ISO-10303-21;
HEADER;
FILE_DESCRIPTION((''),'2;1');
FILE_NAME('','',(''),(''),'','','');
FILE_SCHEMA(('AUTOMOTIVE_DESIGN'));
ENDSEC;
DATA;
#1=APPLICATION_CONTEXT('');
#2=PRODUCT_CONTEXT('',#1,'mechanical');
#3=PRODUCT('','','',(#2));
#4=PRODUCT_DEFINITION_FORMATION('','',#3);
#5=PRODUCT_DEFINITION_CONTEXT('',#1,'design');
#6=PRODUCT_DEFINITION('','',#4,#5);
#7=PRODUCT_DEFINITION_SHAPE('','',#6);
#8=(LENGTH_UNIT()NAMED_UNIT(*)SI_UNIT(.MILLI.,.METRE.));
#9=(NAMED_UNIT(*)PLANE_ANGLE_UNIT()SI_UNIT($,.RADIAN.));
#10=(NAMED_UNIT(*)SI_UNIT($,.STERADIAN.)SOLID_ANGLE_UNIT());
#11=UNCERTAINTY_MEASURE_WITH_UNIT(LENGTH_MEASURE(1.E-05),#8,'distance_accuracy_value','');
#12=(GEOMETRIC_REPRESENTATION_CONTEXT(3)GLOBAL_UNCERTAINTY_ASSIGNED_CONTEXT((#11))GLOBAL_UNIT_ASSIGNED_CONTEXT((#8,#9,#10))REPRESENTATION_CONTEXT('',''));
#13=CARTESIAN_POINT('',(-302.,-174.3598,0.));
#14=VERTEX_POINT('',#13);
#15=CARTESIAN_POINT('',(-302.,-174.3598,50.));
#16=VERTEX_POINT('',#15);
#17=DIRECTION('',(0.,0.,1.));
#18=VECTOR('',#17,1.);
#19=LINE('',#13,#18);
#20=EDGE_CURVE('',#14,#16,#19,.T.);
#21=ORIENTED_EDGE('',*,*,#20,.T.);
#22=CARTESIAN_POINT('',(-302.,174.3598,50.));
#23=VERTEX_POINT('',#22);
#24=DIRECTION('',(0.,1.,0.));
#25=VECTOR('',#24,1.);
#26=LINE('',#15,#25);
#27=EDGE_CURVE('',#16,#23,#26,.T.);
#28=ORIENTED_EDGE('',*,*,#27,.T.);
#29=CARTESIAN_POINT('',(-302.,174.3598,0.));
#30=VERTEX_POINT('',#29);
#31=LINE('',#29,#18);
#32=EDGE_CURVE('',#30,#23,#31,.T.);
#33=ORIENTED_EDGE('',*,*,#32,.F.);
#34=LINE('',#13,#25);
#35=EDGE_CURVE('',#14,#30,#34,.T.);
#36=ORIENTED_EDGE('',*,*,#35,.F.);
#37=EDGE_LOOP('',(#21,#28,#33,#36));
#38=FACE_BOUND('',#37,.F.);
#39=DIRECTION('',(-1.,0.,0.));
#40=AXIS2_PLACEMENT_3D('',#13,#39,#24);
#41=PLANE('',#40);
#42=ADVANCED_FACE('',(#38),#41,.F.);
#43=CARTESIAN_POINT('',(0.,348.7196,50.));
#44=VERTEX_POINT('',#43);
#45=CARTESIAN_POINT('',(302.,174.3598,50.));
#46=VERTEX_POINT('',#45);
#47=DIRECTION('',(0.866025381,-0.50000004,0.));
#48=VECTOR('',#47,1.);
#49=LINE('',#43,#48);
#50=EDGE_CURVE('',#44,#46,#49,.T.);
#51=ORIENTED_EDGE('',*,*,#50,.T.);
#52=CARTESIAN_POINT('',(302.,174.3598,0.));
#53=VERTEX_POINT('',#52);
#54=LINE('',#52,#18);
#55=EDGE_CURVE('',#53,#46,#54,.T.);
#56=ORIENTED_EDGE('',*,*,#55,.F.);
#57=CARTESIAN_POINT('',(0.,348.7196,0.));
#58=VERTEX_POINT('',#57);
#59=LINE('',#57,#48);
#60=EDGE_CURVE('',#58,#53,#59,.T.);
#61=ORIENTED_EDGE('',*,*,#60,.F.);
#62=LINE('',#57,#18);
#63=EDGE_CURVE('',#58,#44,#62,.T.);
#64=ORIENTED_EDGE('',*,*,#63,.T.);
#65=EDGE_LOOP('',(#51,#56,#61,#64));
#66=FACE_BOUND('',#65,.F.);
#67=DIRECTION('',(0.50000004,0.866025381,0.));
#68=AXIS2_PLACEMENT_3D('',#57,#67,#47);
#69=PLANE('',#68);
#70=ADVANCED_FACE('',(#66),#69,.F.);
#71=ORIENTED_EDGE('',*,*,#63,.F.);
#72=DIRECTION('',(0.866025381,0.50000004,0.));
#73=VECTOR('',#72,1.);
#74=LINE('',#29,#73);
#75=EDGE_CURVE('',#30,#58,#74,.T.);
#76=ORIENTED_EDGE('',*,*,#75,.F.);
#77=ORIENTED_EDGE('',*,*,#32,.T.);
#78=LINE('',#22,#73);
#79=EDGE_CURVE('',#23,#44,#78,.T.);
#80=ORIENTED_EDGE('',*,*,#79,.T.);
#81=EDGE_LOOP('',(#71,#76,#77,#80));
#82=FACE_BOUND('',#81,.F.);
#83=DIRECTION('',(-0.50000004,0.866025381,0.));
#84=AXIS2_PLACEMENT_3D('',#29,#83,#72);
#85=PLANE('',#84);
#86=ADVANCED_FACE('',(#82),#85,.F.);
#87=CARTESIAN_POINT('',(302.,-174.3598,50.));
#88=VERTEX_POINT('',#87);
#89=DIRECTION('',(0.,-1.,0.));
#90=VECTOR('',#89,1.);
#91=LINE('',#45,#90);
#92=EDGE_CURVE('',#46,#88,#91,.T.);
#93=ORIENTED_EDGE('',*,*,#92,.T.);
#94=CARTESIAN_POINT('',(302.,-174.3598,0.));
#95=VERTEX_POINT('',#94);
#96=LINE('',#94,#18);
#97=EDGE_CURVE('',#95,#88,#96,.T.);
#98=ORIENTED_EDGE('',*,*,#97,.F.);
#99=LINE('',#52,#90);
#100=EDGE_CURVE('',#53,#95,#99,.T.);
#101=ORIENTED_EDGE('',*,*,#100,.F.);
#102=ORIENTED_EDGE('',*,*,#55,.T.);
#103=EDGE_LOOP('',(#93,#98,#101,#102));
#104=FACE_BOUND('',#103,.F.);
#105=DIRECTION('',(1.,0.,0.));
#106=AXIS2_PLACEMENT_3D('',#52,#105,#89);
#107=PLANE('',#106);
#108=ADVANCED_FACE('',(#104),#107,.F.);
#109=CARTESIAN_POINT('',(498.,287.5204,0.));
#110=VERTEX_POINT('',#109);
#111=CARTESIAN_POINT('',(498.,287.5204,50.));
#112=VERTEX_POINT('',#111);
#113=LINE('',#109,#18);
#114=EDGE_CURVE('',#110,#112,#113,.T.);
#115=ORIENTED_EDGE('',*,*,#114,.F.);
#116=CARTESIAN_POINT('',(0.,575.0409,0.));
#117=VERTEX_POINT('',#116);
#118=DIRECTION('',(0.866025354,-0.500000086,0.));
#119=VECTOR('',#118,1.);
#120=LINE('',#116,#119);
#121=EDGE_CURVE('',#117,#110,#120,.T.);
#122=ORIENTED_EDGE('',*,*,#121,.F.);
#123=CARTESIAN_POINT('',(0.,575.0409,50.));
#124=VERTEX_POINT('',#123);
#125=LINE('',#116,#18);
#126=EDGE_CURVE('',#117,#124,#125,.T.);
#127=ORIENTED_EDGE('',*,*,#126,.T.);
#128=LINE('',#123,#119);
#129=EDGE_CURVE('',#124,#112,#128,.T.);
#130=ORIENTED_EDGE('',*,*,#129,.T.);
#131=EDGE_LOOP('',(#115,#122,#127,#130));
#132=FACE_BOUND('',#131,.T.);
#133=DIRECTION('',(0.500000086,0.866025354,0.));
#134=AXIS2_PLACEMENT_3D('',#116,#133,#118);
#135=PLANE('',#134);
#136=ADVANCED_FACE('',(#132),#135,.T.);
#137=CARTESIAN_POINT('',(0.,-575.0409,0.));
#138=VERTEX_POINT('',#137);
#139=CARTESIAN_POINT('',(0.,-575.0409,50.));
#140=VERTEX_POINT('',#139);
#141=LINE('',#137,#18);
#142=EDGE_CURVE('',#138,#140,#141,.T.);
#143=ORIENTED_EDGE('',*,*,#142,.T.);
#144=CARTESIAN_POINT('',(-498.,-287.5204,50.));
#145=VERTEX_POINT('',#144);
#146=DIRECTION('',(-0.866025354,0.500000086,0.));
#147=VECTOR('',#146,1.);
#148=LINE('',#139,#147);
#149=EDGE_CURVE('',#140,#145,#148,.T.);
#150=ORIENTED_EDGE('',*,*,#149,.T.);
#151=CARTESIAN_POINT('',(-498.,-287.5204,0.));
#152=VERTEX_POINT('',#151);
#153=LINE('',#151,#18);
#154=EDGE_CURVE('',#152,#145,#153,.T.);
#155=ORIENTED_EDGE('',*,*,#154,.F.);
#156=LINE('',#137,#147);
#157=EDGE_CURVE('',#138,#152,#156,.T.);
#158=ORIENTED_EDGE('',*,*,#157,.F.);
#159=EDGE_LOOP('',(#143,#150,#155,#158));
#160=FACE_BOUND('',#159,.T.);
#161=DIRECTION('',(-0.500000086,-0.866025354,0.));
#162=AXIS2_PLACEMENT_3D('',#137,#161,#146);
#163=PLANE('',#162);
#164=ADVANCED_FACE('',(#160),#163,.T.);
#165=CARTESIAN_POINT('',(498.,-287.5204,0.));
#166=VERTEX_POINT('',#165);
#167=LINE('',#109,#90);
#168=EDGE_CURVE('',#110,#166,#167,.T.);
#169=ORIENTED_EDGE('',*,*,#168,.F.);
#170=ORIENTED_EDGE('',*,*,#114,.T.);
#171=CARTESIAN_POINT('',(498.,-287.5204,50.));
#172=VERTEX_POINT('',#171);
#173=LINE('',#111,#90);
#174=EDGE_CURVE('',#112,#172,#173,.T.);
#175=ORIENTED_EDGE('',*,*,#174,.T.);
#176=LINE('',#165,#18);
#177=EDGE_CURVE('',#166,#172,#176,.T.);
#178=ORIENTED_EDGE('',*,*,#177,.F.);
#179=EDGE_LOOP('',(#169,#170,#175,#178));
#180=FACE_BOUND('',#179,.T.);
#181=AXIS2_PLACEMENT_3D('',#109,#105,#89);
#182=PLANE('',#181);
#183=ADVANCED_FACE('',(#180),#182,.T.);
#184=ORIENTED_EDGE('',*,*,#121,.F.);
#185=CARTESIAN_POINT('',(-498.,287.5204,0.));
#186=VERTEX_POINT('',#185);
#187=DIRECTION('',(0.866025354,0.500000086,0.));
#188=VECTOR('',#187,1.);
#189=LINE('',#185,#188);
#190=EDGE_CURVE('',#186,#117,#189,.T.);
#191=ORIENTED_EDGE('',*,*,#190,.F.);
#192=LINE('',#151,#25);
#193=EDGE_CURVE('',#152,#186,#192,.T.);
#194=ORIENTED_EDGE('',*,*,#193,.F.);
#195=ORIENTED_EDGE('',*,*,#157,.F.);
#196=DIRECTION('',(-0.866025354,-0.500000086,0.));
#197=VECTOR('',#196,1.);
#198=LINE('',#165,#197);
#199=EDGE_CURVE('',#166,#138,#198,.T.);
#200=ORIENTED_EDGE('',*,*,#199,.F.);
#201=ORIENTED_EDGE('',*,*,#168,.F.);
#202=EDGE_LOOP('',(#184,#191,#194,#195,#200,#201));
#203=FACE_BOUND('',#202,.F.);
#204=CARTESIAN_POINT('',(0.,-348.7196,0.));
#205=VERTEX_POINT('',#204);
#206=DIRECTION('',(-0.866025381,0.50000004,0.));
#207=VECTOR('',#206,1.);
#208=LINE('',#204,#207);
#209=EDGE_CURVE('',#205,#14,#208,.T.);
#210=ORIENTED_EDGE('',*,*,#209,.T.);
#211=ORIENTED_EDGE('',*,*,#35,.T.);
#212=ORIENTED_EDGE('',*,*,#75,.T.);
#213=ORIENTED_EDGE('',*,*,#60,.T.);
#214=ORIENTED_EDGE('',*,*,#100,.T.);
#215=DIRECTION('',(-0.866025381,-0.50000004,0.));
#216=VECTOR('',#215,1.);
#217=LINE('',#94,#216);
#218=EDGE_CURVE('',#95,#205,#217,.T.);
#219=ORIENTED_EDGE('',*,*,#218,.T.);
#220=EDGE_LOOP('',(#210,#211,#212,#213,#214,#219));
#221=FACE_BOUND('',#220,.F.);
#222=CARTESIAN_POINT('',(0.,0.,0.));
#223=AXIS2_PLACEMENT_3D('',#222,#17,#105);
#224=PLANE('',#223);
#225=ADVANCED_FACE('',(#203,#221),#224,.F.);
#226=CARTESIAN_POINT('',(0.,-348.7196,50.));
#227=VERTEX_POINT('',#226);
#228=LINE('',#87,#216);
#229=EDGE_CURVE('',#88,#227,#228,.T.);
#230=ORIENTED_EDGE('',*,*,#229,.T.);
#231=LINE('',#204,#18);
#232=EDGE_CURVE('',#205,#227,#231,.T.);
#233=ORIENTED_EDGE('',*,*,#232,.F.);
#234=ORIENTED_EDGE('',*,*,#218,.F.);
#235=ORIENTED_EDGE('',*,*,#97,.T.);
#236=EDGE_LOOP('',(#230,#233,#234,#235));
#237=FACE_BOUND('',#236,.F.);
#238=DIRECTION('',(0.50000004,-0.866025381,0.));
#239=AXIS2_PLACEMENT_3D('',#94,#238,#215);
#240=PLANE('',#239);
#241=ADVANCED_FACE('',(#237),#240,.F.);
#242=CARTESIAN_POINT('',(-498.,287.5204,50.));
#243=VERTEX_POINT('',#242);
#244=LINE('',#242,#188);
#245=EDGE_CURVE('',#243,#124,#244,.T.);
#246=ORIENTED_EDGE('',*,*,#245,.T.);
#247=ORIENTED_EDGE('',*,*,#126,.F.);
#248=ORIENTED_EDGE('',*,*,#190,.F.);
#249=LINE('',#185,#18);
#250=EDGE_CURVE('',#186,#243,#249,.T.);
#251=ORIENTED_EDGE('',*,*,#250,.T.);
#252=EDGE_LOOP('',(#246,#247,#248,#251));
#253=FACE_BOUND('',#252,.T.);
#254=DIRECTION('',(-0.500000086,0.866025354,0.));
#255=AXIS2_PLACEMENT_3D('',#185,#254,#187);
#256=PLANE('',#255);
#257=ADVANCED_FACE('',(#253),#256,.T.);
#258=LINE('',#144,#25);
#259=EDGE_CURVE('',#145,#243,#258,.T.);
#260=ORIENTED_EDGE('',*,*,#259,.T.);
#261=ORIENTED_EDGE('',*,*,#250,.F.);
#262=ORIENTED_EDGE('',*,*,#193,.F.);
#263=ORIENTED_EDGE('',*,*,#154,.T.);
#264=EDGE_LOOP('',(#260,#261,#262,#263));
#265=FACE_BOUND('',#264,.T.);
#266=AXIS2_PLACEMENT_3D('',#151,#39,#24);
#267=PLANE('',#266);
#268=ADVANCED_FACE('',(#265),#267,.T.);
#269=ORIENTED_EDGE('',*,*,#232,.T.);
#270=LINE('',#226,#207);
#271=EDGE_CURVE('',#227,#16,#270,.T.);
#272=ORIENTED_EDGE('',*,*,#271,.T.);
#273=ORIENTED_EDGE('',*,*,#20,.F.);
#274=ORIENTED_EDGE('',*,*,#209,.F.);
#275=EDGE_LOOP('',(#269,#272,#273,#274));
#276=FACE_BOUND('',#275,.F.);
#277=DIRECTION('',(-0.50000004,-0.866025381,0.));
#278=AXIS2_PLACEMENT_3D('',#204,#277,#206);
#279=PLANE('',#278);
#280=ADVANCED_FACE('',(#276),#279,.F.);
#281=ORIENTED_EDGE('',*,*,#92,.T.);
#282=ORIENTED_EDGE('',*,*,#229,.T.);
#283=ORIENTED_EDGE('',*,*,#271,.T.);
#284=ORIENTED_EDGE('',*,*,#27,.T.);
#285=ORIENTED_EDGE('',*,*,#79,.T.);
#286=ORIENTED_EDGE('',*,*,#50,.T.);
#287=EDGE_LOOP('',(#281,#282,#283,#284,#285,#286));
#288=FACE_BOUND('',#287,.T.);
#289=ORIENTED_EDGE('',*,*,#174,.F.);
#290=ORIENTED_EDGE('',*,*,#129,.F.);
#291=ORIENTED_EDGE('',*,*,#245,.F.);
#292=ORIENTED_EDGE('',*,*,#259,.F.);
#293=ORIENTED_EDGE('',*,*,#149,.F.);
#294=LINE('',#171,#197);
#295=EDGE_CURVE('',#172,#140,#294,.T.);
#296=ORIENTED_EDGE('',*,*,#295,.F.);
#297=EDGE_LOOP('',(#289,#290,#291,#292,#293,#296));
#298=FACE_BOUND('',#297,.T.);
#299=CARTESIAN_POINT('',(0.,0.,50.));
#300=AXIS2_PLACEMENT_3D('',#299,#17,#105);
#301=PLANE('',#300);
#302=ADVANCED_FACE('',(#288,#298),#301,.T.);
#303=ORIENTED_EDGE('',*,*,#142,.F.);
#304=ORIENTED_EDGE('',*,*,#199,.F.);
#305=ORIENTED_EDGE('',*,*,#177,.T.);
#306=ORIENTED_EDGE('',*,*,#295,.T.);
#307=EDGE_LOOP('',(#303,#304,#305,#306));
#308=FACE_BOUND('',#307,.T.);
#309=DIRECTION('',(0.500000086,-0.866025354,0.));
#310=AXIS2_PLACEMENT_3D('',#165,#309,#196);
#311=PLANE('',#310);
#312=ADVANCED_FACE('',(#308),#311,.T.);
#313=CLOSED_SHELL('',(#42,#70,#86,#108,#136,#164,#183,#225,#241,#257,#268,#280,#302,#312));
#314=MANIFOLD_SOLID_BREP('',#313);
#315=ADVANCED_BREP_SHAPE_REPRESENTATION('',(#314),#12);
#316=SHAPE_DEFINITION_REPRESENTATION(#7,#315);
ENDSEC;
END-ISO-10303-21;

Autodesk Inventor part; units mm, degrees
ref_plane "YZ Plane" through (0, 0, 0) normal (1, 0, 0) x (0, 1, 0)
ref_plane "XZ Plane" through (0, 0, 0) normal (0, 1, 0) x (-1, 0, 0)
ref_plane "Work Plane1" through (0, 0, 0) normal (0, 0, 1) x (1, 0, 0)
sketch "Sketch1" plane through (0, 0, 0) normal (0, 0, 1) x (1, 0, 0)
  line L0 (302, -174.3598) -> (0, -348.7196)
  line L1 (0, -348.7196) -> (-302, -174.3598)
  line L2 (-302, -174.3598) -> (-302, 174.3598)
  line L3 (-302, 174.3598) -> (0, 348.7196)
  line L4 (0, 348.7196) -> (302, 174.3598)
  line L5 (302, 174.3598) -> (302, -174.3598)
  line L6 (498, -287.5204) -> (0, -575.0409)
  line L7 (0, -575.0409) -> (-498, -287.5204)
  line L8 (-498, -287.5204) -> (-498, 287.5204)
  line L9 (-498, 287.5204) -> (0, 575.0409)
  line L10 (0, 575.0409) -> (498, 287.5204)
  line L11 (498, 287.5204) -> (498, -287.5204)
  point P0 (0, 0)
  point P1 (0, 0)
  point P2 (0, 0)
  dimension "d0" = 302
  dimension "d1" = 498
extrude "Extrusion1" add sketch "Sketch1" along normal blind 50
properties part number "Sustrat"
